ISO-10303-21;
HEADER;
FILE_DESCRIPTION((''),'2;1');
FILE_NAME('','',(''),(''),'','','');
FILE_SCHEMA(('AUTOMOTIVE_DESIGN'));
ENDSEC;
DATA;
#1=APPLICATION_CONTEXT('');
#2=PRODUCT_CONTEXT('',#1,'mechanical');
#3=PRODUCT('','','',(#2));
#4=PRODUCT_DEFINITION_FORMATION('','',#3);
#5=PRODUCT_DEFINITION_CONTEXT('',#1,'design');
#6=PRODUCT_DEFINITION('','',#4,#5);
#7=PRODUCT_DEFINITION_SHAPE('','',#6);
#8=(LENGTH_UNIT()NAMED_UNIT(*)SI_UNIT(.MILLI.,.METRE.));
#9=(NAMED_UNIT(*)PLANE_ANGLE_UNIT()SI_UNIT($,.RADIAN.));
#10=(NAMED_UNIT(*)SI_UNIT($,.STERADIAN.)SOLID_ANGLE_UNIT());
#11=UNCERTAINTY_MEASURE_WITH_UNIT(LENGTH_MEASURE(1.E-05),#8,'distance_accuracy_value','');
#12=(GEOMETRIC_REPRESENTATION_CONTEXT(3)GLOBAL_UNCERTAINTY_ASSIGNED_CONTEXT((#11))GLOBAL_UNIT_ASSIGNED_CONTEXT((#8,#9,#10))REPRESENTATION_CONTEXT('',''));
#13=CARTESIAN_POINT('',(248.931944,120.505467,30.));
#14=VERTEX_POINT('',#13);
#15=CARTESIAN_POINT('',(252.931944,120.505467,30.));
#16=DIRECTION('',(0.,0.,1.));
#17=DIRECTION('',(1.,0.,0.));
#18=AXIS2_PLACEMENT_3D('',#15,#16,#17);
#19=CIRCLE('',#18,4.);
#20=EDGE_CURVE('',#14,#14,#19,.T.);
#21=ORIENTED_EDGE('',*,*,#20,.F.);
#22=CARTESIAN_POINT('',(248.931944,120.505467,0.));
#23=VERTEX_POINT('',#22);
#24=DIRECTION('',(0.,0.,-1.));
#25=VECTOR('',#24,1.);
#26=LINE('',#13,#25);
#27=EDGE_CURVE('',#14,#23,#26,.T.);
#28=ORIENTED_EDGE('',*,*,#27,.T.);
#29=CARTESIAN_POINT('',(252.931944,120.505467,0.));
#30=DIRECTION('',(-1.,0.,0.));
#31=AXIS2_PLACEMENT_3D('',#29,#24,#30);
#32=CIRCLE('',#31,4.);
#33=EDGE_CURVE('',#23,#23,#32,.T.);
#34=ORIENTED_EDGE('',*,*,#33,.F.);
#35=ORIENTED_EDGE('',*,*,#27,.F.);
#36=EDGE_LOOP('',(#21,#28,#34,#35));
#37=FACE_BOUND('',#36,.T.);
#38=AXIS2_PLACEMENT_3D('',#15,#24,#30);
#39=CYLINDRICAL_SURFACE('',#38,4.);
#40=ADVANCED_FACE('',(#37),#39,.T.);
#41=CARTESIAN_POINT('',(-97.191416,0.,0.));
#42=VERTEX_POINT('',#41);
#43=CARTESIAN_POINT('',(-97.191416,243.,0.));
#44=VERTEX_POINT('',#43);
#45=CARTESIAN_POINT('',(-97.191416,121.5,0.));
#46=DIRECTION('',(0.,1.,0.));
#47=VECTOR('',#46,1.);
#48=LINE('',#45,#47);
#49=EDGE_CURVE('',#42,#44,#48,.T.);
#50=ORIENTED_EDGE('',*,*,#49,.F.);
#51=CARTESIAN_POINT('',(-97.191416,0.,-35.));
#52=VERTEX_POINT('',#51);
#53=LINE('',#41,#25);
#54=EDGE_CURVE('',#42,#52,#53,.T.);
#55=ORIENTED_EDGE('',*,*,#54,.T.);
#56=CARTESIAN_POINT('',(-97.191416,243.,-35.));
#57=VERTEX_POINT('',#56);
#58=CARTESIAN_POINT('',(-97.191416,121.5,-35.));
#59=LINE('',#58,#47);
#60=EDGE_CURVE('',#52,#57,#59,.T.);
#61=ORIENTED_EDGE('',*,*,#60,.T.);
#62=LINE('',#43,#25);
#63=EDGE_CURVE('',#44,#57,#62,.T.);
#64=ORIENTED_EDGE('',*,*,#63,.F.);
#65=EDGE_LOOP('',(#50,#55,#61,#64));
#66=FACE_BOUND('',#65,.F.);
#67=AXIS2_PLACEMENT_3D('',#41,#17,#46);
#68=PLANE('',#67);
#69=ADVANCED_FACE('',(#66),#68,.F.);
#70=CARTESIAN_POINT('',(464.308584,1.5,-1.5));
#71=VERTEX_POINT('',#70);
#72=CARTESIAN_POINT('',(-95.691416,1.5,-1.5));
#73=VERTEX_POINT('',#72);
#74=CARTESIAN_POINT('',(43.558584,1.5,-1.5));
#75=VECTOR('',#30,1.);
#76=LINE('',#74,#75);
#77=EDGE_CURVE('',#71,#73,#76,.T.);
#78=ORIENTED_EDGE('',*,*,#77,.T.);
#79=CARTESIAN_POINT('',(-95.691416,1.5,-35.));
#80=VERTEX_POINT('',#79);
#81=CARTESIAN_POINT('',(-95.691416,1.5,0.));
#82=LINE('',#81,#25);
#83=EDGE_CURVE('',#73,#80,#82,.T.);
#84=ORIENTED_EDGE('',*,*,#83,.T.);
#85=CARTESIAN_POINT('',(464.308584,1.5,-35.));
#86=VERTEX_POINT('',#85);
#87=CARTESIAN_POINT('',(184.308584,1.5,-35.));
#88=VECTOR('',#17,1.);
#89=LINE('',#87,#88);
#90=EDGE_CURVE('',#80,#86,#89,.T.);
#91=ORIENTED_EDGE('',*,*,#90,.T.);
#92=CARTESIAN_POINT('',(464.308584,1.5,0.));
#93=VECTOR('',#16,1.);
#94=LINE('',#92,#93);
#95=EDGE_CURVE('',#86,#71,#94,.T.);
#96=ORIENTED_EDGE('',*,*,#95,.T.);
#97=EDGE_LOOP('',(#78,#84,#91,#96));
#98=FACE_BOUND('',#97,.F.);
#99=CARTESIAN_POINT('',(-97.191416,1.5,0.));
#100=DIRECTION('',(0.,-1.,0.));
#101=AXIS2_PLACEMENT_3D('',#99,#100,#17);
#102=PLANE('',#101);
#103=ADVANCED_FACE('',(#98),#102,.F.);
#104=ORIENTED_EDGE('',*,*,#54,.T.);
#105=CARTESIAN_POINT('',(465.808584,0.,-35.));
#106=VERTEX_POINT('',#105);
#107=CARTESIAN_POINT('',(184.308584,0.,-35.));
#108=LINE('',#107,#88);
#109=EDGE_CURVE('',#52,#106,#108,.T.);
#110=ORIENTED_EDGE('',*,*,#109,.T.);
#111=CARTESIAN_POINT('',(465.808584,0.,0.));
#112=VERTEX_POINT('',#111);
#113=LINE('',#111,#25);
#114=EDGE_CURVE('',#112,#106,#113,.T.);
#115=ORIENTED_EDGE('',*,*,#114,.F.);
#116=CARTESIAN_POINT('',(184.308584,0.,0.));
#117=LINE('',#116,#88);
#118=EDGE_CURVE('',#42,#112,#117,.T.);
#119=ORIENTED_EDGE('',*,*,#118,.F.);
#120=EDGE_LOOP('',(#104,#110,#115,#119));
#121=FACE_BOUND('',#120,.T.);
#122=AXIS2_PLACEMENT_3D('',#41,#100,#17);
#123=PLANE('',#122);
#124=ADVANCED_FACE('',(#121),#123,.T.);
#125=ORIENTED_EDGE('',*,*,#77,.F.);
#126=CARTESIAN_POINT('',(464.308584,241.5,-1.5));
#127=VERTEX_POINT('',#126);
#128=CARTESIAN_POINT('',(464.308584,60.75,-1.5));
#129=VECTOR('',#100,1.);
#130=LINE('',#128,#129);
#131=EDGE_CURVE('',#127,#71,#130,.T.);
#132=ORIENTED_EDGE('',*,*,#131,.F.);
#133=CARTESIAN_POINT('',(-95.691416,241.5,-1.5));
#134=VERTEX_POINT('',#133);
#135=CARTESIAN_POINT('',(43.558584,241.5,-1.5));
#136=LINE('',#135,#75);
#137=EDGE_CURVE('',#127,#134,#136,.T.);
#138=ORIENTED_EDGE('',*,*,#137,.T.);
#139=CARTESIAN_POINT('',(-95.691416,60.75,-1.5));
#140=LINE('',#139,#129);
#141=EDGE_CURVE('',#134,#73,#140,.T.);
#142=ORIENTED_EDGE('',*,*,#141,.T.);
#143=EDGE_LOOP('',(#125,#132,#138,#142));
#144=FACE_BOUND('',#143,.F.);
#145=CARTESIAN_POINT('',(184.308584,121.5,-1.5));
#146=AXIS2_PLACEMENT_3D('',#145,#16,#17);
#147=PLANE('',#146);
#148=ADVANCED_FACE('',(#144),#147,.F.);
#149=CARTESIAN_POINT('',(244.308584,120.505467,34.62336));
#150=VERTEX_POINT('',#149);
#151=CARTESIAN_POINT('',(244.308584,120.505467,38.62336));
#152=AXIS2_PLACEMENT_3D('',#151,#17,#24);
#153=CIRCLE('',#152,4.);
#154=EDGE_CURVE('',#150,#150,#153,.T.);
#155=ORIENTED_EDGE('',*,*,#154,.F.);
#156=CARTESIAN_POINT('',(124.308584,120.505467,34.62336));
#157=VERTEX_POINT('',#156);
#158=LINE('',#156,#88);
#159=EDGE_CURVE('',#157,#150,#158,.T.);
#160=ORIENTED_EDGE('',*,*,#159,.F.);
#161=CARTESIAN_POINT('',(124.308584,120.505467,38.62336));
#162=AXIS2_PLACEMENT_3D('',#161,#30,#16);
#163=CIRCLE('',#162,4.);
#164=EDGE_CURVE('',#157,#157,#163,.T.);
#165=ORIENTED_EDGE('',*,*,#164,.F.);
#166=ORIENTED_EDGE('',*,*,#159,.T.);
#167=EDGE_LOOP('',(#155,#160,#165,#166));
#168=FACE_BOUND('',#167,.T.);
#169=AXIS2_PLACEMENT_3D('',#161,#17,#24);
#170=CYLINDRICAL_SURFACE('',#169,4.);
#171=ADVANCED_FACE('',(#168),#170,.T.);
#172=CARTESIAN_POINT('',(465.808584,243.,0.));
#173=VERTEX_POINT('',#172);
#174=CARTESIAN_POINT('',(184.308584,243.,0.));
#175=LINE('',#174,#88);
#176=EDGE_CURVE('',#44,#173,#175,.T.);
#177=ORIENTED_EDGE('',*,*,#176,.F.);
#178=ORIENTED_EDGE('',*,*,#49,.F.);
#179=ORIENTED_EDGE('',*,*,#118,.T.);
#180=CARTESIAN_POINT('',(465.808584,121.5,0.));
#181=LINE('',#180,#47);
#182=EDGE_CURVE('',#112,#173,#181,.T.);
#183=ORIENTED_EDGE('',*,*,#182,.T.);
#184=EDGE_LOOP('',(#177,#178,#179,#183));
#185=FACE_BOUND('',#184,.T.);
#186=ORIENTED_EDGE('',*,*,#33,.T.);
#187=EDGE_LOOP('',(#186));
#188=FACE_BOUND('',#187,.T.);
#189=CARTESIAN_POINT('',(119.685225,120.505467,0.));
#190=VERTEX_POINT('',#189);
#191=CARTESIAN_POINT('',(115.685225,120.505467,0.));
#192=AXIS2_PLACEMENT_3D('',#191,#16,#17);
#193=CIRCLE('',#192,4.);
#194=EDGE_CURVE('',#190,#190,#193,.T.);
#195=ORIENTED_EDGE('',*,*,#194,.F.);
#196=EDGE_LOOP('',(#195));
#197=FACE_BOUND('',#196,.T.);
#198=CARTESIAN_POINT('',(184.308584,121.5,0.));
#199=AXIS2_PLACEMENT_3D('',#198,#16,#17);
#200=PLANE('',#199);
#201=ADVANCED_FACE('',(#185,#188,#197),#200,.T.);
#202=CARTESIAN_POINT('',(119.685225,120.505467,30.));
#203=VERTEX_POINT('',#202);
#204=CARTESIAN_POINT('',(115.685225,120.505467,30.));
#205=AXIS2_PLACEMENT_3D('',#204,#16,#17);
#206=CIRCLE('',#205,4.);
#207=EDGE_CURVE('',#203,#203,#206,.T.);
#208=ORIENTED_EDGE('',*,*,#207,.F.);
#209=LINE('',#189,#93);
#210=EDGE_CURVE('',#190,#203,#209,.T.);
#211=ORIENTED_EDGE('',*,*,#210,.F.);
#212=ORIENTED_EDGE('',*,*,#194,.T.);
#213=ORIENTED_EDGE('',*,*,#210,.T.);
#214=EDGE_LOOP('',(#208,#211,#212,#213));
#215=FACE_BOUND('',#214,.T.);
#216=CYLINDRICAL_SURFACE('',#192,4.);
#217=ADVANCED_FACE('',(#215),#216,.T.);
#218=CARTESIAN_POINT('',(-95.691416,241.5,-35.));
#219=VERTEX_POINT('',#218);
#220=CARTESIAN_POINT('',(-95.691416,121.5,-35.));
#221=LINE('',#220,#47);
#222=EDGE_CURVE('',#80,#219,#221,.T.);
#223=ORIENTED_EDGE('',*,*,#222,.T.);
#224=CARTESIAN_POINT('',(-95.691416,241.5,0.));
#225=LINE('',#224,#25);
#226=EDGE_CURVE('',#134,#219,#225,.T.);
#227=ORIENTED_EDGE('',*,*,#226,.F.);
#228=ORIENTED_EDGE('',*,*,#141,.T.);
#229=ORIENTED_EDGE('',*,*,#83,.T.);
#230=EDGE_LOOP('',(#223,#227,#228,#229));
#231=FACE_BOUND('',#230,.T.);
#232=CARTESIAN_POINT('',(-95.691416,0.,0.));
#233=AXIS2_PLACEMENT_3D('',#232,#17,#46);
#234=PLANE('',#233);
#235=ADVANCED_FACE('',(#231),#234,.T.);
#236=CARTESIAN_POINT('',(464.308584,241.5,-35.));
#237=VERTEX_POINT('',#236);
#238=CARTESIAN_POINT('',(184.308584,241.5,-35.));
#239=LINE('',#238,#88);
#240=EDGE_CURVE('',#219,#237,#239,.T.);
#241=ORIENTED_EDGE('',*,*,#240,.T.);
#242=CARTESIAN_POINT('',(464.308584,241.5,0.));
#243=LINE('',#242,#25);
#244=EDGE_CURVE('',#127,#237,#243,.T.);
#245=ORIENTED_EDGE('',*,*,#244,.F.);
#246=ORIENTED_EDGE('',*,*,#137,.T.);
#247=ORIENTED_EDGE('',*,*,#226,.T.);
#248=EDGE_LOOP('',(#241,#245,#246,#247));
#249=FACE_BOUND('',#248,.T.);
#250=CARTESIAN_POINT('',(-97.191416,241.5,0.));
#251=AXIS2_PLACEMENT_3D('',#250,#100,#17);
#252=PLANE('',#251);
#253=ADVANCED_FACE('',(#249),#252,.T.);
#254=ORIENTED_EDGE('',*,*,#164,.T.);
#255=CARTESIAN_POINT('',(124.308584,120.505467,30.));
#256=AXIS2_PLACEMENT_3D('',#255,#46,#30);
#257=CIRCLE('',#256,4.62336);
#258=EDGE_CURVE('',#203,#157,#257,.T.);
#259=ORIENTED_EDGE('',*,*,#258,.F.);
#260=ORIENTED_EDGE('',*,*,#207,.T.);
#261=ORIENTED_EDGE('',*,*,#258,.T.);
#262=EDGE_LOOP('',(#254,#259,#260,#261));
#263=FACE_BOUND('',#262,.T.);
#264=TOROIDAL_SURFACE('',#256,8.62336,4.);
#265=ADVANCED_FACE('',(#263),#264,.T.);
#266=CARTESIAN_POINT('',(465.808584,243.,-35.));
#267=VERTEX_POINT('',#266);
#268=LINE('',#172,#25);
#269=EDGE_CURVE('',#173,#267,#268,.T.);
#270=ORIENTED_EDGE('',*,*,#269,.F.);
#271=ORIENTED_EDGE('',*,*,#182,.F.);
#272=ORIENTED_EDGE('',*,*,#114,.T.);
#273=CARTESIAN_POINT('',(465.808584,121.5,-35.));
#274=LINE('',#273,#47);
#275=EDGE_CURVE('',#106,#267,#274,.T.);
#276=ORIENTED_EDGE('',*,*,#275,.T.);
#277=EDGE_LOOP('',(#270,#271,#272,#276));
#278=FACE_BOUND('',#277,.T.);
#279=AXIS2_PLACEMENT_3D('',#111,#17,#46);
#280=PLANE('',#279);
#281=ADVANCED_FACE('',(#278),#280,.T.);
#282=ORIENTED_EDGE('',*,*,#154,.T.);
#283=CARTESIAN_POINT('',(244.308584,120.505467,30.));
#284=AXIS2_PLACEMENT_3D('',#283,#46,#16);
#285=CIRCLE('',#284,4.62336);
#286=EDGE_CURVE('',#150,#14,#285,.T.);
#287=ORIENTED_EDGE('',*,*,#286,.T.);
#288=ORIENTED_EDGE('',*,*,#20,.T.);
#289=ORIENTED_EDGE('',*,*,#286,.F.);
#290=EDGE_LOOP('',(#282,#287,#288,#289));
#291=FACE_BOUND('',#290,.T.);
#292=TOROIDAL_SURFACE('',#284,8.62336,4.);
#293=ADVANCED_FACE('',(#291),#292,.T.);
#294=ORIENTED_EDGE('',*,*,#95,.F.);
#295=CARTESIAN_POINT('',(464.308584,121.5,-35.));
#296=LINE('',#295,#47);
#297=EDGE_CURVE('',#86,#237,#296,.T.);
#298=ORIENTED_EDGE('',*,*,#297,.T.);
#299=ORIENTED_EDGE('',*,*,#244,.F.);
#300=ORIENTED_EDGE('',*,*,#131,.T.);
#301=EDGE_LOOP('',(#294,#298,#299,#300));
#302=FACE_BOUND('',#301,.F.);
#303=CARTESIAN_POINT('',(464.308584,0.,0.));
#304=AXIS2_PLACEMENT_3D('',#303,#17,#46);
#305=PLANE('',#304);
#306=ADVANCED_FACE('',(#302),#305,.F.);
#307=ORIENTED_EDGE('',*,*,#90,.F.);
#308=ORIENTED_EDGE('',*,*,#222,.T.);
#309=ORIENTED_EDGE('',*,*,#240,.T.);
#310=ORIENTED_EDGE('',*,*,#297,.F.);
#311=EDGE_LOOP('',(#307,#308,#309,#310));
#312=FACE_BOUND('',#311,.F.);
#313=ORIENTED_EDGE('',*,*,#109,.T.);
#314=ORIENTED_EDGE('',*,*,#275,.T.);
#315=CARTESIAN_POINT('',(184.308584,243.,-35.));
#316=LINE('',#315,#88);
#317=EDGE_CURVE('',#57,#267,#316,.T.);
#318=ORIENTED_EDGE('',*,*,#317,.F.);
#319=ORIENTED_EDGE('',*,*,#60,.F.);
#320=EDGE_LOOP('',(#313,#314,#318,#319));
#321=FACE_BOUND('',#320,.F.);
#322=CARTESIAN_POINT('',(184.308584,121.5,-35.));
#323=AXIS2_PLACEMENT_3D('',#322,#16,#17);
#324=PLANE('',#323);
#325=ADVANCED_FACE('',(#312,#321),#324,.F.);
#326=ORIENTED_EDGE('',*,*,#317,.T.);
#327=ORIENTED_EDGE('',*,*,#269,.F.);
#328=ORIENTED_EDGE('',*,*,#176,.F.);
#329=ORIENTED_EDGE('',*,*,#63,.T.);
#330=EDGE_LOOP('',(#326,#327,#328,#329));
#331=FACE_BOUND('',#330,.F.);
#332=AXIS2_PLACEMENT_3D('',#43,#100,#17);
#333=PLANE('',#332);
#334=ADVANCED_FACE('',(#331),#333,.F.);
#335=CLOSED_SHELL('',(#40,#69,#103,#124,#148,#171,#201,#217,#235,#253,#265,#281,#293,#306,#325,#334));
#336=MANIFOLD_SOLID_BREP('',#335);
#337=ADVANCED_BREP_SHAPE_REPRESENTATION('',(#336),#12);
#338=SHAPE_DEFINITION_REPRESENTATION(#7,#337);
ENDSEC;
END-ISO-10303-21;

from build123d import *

# Parameters (mm, degrees)
F0_W     = 563
F0_H     = 243
F1_DEPTH = 35
F2_T     = -1.5
F5_R     = 4


with BuildPart() as f1:
    # F0 (on Top) → F1 (new body)
    with BuildSketch(Plane.XY):
        with Locations((184.3085842729, 121.5)):
            Rectangle(F0_W, F0_H)
    extrude(amount=-F1_DEPTH)

    # F2
    f2_openings = [f1.faces().sort_by_distance(p)[0] for p in [
        (184.308584, 121.5, -35),
    ]]
    offset(amount=F2_T, openings=f2_openings)

    # F6: sweep along a path in F4
    with BuildLine(Plane.XZ.offset(-121.5)) as f6_path:
        Line((114.3085842729, 0), (114.3085842729, 30))
        ThreePointArc((114.3085842729, 30), (117.237516461, 37.0710678119), (124.3085842729, 40))
        Line((124.3085842729, 40), (244.3085842729, 40))
        ThreePointArc((244.3085842729, 40), (251.3796520847, 37.0710678119), (254.3085842729, 30))
        Line((254.3085842729, 30), (254.3085842729, 0))
    # F5 (on face) → F6 (sweep)
    with BuildSketch(Plane.XY):
        with Locations((115.6852245331, 120.5054670572)):
            Circle(F5_R)
    sweep(path=f6_path.line)


solid = f1.part
